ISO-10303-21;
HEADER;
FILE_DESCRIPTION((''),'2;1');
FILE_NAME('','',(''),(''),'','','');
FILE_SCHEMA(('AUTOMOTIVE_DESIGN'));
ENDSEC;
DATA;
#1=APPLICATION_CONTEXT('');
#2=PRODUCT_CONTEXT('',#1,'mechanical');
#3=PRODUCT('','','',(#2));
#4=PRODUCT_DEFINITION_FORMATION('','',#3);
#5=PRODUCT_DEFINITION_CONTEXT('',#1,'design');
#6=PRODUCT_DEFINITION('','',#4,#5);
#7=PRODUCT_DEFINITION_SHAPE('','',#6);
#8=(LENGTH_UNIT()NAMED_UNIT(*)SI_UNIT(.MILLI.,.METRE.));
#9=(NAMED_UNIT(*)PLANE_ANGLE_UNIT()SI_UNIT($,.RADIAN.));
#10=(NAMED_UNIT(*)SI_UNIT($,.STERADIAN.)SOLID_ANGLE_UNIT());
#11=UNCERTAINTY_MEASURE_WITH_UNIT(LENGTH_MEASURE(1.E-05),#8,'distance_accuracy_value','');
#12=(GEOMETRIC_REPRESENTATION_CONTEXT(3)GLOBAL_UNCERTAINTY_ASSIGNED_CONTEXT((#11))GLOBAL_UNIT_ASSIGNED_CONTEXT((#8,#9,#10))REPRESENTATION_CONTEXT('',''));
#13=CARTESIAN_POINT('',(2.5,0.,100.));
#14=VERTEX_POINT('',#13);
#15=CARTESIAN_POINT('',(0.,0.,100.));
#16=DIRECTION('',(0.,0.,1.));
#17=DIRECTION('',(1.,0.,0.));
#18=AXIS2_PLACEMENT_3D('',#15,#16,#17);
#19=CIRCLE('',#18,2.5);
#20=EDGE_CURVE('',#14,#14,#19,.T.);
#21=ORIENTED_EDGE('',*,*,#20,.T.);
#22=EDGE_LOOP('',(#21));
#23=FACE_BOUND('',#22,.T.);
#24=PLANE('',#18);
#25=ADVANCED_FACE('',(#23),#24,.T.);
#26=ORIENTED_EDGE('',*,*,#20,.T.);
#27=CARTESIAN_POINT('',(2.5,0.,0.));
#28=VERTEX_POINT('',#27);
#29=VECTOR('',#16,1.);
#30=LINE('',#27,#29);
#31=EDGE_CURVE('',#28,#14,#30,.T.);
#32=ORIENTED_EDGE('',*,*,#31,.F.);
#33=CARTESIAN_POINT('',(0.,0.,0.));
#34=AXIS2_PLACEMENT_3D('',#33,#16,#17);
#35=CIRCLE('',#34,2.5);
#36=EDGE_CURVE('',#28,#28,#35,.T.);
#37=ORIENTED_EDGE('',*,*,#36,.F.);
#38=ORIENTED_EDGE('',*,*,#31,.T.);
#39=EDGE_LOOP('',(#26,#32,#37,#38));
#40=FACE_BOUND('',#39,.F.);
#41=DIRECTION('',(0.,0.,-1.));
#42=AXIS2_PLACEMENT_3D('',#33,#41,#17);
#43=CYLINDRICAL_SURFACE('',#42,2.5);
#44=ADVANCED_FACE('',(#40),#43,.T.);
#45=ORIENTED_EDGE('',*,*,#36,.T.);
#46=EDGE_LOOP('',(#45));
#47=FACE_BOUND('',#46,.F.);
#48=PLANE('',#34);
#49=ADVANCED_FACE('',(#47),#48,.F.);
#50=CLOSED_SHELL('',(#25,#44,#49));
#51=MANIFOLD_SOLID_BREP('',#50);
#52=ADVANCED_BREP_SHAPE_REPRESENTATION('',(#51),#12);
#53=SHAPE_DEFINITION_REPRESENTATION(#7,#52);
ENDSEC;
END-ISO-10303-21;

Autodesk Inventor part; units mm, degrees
ref_plane "YZ Plane" through (0, 0, 0) normal (1, 0, 0) x (0, 1, 0)
ref_plane "XZ Plane" through (0, 0, 0) normal (0, 1, 0) x (-1, 0, 0)
ref_plane "XY Plane" through (0, 0, 0) normal (0, 0, 1) x (1, 0, 0)
sketch "Sketch1" plane through (0, 0, 0) normal (0, 0, 1) x (1, 0, 0)
  circle A0 centre (0, 0) radius 2.5
  dimension "d0" = 5
extrude "Extrusion1" add sketch "Sketch1" along normal blind 100
properties part number "roddass"
